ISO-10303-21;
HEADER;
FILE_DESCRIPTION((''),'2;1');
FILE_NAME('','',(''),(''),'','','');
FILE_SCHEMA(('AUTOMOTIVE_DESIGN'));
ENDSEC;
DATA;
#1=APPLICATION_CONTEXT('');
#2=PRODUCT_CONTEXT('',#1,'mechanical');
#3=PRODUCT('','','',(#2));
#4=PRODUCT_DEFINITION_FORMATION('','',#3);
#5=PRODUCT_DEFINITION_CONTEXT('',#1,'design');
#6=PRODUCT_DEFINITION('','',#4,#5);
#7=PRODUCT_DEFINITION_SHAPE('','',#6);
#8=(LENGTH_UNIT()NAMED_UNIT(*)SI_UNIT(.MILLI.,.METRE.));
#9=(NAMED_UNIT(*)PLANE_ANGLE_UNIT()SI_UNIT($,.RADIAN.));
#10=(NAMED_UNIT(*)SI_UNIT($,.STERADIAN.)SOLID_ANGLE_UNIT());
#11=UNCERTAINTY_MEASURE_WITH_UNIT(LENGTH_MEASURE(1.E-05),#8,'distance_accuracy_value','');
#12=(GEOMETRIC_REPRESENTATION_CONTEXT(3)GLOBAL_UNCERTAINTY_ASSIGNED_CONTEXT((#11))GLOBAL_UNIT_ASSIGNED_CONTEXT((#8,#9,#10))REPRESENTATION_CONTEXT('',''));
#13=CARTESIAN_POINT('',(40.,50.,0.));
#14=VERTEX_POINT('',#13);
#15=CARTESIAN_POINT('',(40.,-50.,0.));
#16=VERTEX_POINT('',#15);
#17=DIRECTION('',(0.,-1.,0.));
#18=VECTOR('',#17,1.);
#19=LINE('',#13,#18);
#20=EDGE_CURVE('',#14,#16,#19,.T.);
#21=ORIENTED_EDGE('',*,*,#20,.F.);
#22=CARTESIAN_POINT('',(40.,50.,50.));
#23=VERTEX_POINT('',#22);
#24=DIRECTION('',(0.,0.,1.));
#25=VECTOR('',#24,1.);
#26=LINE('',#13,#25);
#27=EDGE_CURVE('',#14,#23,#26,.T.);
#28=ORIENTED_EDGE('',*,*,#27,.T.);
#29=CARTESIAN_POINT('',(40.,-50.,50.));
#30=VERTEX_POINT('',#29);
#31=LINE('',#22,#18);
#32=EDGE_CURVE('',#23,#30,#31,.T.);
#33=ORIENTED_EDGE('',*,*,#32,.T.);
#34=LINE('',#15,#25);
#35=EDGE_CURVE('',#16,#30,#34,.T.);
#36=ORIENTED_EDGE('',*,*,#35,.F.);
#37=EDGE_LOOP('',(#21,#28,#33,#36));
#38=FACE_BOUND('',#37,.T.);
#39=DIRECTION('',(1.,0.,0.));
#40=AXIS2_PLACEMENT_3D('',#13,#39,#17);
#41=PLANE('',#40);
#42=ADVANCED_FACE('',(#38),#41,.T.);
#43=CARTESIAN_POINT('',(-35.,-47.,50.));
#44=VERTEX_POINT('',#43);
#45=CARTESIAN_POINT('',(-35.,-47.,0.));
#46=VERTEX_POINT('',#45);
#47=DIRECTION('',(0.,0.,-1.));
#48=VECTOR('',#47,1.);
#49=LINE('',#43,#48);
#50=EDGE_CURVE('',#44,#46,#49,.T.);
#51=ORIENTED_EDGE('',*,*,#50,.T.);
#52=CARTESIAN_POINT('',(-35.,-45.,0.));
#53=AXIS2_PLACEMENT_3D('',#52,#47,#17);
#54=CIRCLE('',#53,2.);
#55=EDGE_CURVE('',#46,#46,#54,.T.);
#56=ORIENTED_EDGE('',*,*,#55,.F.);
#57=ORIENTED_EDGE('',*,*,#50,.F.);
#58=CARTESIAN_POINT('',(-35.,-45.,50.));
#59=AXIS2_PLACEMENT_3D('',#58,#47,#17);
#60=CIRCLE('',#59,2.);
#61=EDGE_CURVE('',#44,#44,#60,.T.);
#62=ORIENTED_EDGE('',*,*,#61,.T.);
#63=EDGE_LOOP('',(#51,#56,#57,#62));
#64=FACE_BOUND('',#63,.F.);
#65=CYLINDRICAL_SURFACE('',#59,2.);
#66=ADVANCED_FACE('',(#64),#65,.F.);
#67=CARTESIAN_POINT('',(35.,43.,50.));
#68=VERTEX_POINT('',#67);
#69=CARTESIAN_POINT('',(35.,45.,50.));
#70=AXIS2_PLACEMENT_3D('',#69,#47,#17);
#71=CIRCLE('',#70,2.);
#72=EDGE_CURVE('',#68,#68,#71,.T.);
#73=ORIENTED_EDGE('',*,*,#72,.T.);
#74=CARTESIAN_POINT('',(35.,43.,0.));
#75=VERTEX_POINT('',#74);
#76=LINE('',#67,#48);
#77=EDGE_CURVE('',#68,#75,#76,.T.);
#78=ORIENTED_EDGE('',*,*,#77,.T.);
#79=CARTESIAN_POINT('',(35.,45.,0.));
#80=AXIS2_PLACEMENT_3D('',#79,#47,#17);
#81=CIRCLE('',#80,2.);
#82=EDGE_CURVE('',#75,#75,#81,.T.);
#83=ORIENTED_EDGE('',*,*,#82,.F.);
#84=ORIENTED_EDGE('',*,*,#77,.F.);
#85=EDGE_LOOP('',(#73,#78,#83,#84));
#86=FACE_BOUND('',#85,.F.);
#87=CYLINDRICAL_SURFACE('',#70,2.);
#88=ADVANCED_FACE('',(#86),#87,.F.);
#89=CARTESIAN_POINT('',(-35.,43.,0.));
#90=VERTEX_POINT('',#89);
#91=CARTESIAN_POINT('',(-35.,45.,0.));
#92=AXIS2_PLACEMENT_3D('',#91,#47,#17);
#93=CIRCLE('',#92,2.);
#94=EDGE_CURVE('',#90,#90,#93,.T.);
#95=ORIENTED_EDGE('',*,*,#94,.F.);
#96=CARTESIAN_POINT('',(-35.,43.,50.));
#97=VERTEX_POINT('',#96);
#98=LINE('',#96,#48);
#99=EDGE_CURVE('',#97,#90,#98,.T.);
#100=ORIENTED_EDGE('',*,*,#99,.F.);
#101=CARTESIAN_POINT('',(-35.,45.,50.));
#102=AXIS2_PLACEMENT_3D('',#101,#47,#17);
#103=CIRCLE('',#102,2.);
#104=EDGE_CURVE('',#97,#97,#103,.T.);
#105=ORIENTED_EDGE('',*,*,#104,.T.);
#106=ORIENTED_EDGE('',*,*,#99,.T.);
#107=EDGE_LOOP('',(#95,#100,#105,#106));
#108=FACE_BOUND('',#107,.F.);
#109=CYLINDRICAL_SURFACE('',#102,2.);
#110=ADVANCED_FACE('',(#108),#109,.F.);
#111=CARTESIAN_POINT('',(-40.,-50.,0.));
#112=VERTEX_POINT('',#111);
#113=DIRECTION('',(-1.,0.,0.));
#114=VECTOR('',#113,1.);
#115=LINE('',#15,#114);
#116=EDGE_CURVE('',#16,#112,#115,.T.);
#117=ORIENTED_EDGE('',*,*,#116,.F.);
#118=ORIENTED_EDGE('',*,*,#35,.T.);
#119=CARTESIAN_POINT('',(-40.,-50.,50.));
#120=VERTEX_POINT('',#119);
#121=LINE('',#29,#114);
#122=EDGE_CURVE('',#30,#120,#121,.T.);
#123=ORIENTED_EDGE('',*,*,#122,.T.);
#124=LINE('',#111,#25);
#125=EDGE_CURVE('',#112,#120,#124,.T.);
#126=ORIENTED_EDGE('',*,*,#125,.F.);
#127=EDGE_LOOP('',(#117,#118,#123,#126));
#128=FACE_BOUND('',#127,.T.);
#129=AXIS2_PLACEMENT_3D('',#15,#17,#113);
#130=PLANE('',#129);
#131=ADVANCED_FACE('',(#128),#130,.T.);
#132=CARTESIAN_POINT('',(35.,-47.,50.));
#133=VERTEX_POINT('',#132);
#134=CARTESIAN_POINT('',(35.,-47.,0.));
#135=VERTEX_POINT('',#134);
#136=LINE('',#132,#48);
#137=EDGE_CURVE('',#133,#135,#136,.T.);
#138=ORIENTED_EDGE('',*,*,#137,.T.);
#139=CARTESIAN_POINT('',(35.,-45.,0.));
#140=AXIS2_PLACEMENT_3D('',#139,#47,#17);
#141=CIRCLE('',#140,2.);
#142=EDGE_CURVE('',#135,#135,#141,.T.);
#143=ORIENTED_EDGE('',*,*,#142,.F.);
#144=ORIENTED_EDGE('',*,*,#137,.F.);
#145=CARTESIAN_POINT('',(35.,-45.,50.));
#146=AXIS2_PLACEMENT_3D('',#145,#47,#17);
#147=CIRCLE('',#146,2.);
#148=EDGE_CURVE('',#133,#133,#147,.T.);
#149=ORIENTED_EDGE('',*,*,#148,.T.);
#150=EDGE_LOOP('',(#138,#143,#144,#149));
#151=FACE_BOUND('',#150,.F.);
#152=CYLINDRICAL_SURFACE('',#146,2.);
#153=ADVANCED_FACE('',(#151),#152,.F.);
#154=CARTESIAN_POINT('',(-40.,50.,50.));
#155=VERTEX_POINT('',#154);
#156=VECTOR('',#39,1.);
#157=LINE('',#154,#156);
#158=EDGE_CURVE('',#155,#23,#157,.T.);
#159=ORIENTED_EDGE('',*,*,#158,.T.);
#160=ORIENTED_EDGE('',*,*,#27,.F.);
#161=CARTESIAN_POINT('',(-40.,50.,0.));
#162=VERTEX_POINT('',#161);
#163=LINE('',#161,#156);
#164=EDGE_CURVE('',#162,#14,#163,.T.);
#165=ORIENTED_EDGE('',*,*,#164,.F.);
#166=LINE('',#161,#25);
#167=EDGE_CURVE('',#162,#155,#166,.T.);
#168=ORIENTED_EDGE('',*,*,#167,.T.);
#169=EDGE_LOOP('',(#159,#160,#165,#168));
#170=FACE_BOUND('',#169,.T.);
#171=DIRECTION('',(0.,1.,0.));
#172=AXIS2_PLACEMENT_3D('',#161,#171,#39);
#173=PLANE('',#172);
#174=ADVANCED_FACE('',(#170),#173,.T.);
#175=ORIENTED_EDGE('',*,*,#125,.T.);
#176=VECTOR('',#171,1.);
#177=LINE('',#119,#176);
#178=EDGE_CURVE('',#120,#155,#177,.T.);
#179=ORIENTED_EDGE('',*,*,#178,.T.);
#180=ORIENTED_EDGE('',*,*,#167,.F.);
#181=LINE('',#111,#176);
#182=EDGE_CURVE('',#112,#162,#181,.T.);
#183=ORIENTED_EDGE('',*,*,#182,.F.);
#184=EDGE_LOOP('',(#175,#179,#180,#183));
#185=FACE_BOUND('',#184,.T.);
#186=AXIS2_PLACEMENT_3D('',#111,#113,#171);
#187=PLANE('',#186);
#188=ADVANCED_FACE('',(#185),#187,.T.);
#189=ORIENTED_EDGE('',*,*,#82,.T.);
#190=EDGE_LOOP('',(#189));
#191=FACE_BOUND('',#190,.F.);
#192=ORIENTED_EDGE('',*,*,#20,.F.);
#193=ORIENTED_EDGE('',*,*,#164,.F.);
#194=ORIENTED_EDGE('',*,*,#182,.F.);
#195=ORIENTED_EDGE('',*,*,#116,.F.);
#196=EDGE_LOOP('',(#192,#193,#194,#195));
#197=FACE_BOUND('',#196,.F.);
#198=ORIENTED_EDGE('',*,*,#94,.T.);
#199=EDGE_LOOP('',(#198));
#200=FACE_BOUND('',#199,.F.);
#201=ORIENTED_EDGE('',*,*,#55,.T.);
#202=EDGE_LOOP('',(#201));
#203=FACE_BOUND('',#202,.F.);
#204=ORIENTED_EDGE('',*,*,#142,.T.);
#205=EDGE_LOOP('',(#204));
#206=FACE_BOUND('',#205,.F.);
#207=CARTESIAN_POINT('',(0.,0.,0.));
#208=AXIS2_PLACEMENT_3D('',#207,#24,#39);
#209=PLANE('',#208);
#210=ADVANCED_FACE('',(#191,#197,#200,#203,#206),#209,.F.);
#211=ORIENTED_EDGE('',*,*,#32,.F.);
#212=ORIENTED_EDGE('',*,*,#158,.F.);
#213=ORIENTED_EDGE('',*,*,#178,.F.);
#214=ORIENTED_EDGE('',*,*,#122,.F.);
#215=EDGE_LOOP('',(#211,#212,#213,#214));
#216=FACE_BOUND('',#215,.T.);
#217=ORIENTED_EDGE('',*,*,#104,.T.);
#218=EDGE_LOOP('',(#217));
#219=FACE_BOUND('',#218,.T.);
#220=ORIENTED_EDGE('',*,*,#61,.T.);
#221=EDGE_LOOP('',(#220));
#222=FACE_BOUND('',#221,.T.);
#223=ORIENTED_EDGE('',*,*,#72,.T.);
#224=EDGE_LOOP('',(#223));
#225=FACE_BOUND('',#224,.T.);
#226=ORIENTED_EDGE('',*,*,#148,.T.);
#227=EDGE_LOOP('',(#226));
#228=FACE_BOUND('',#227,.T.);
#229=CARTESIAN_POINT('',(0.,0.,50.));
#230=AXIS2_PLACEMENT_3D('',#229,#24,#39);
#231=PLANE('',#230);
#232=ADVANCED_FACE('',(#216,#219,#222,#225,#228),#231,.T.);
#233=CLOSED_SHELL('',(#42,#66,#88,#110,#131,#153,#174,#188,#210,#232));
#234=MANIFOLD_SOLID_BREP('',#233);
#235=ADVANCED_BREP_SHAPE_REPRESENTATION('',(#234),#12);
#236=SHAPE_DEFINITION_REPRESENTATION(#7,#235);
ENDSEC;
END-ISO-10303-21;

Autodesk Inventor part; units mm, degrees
sketch "Sketch2" plane through (0, 0, 0) normal (0, 0, 1) x (1, 0, 0)
  line L0 (40, -50) -> (-40, -50)
  line L1 (-40, -50) -> (-40, 50)
  line L2 (-40, 50) -> (40, 50)
  line L3 (40, 50) -> (40, -50)
  line L4 (40, -50) -> (-40, 50) construction
  line L5 (-40, -50) -> (40, 50) construction
  point P0 (0, 0)
  dimension "d0" = 100
  dimension "d1" = 80
extrude "Extrusion1" add sketch "Sketch2" along normal blind 50
sketch "Sketch3" plane through (0, 0, 50) normal (0, 0, 1) x (1, 0, 0)
  line L0 (40, 50) -> (-40, 50) construction
  line L1 (-40, 50) -> (-40, -50) construction
  line L2 (-40, -50) -> (40, -50) construction
  line L3 (40, -50) -> (40, 50) construction
  point P0 (0, 0)
  point P1 (-35, 45)
  point P2 (35, 45)
  point P3 (-35, -45)
  point P4 (35, -45)
  dimension "d4" = 5
  dimension "d5" = 5
  dimension "d6" = 5
  dimension "d7" = 5
  dimension "d8" = 5
  dimension "d9" = 5
  dimension "d10" = 5
  dimension "d11" = 5
hole "Hole1" at (-35, 45, 50) at (35, 45, 50) at (-35, -45, 50) at (35, -45, 50) direction (0, 0, -1) diameter 4 depth 50
properties part number "P028_PCB_surMesures"
